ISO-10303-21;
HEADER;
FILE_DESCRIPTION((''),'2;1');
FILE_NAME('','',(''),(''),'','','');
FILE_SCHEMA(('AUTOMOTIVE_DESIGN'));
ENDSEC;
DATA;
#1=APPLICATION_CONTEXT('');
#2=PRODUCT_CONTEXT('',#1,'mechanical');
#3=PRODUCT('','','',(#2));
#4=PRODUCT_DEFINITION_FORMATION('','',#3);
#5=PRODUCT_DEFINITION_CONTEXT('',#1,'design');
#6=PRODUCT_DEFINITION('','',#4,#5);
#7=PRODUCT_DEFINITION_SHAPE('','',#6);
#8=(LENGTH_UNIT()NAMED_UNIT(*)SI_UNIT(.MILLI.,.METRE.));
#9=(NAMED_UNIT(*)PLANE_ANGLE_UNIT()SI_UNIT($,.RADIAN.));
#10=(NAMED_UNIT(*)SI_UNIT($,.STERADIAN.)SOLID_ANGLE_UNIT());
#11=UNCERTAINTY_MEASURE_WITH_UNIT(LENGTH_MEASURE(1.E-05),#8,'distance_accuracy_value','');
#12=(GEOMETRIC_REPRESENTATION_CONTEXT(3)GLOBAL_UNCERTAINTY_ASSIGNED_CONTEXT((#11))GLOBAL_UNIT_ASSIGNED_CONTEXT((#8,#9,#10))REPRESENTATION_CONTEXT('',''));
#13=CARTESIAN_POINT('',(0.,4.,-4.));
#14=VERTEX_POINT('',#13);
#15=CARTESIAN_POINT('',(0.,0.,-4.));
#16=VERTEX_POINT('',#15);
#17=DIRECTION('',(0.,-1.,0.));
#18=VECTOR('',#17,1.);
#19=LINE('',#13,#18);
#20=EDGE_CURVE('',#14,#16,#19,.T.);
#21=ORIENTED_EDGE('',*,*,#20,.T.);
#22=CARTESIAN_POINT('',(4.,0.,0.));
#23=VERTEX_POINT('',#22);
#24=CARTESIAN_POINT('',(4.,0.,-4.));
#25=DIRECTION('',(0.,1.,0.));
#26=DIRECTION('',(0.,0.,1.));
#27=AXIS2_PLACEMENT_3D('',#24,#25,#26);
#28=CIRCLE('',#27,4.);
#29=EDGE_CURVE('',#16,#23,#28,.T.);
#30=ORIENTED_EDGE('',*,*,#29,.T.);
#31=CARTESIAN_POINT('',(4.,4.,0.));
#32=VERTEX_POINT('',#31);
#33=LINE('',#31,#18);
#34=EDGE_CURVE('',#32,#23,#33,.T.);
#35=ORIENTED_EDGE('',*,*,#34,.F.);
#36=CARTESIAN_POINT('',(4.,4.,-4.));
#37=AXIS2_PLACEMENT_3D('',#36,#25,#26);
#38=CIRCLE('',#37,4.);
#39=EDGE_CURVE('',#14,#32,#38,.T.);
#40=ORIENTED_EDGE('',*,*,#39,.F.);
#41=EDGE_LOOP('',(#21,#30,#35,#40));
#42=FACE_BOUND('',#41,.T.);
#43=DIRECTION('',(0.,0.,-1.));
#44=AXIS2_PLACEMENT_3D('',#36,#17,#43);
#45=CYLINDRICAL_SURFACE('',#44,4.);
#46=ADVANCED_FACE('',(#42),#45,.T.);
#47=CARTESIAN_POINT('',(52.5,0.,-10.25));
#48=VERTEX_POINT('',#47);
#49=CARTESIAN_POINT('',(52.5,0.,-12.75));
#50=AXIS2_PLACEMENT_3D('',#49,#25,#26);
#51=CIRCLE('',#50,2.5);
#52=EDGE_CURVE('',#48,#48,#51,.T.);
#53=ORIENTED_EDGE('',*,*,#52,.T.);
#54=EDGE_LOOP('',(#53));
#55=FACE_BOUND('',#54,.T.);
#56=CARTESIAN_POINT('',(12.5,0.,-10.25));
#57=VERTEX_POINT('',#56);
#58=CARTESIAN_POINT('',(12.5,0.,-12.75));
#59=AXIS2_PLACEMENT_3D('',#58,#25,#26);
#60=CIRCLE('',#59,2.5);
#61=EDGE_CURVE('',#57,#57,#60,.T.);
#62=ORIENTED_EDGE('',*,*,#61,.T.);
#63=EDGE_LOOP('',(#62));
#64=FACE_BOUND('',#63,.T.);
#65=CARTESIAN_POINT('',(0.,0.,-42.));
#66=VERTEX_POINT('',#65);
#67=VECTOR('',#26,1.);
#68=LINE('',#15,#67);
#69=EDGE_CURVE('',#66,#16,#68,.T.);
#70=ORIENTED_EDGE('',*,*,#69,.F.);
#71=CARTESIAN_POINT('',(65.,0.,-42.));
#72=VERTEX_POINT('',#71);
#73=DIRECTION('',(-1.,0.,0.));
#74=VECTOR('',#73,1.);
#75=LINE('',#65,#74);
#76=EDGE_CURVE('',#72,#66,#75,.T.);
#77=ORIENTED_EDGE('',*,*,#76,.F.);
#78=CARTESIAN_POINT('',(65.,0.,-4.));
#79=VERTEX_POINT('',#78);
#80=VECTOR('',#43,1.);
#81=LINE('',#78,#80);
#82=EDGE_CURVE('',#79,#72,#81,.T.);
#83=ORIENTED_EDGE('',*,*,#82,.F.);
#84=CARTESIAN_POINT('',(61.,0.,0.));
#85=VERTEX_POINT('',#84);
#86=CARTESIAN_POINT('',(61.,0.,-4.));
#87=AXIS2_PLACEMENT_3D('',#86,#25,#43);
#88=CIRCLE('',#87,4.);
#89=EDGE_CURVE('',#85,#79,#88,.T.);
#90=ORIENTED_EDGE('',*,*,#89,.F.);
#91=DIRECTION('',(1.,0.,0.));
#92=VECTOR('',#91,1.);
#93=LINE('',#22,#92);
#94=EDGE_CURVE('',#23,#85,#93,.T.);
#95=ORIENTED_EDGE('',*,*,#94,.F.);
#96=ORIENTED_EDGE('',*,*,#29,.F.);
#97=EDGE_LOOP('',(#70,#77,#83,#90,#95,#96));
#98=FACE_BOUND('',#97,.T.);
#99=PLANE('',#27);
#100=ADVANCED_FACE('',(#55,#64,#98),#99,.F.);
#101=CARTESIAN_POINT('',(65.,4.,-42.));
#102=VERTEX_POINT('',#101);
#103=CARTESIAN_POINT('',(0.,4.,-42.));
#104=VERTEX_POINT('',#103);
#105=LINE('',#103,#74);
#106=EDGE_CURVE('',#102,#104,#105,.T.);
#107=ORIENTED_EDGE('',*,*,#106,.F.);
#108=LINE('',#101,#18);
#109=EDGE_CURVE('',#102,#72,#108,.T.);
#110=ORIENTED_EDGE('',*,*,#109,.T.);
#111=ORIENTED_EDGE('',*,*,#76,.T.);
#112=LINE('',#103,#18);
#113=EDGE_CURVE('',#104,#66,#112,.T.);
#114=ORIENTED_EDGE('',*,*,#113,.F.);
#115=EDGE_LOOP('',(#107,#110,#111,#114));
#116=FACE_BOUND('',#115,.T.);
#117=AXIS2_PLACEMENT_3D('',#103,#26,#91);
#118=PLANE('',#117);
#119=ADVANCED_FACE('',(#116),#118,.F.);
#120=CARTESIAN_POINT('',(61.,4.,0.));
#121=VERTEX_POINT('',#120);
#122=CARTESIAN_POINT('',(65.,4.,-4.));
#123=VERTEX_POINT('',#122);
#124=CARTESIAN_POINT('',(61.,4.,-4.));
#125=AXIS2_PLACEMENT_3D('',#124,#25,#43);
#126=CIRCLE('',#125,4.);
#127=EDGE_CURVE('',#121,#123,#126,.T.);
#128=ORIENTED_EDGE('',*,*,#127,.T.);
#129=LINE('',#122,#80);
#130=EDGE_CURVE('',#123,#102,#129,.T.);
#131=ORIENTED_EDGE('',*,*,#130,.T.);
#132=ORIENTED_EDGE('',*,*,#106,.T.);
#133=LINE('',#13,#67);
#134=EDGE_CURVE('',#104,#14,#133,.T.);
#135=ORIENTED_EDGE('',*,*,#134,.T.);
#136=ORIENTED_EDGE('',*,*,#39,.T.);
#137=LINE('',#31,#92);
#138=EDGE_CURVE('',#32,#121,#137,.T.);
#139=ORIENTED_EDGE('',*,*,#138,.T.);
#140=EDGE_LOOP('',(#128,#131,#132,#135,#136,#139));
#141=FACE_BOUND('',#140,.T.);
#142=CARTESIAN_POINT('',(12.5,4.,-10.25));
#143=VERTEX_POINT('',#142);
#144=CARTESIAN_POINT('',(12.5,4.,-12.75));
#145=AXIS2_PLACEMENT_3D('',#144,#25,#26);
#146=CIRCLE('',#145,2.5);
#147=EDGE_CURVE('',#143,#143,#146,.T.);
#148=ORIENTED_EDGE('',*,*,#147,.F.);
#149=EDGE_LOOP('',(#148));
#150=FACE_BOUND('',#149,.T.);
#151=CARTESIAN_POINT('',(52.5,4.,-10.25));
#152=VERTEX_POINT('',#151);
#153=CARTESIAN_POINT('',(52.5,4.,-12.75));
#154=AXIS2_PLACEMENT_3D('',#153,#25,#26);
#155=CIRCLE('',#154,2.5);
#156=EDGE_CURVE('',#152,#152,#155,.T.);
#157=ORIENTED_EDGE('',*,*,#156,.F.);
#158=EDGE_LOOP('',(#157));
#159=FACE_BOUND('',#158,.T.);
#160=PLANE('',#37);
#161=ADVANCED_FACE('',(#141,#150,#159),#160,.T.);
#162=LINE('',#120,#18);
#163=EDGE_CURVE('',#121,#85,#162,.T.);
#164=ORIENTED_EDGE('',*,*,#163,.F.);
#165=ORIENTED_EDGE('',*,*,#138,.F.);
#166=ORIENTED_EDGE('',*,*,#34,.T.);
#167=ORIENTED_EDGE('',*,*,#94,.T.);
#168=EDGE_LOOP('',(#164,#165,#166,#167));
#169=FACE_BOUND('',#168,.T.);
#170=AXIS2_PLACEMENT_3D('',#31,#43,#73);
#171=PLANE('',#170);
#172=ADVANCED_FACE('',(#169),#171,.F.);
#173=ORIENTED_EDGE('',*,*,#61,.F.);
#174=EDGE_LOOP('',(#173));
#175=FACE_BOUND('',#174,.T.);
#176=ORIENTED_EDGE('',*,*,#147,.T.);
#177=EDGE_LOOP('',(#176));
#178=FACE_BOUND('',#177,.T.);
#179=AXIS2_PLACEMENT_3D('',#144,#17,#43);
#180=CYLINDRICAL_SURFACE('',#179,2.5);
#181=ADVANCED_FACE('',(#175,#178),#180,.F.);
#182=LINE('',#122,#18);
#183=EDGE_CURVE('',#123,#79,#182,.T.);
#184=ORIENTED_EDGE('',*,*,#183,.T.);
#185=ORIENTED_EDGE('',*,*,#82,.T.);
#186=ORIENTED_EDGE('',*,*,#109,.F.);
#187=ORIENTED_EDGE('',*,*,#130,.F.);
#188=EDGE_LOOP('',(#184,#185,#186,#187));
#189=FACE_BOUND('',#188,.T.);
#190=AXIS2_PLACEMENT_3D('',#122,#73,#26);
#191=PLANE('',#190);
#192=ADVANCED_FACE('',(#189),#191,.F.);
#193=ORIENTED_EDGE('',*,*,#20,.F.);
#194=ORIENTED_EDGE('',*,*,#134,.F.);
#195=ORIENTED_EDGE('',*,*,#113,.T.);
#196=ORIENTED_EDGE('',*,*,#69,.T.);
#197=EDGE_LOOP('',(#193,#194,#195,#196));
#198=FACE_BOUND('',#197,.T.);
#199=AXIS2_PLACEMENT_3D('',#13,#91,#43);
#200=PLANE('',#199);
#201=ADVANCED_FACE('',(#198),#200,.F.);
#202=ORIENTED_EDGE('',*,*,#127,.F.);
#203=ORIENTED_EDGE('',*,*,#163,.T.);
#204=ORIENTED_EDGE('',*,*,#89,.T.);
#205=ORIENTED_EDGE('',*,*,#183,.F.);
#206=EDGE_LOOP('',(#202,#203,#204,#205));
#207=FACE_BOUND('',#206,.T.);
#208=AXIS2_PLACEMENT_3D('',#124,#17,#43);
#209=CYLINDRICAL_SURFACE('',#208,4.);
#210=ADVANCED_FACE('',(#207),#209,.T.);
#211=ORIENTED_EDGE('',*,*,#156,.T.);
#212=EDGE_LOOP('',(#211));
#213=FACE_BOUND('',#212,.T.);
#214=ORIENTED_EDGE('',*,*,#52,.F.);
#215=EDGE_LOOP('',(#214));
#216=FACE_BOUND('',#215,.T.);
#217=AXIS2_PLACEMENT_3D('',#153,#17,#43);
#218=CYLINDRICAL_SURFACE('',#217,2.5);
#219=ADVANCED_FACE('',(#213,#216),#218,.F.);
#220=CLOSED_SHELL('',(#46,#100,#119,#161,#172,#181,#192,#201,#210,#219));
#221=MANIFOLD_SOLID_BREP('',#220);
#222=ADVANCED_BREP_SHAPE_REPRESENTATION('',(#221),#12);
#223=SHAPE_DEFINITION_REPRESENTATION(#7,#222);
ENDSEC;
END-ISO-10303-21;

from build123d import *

# Parameters (mm, degrees)
SKETCH1_R           = 2.5
BOSS_EXTRUDE1_DEPTH = 4


with BuildPart() as part:
    # Sketch1 → Boss-Extrude1 (new body)
    with BuildSketch(Plane(origin=(0, 0, 0), x_dir=(1, 0, 0), z_dir=(0, 1, 0))):
        with BuildLine():
            Line((4, 0), (61, 0))
            ThreePointArc((61, 0), (63.828427125, 1.171572875), (65, 4))
            Line((65, 4), (65, 42))
            Line((65, 42), (0, 42))
            Line((0, 42), (0, 4))
            ThreePointArc((0, 4), (1.171572875, 1.171572875), (4, 0))
        make_face()
        with Locations(Location((12.5, 12.75, 0), (0, 0, 270))):
            Circle(SKETCH1_R, mode=Mode.SUBTRACT)
        with Locations(Location((52.5, 12.75, 0), (0, 0, 270))):
            Circle(SKETCH1_R, mode=Mode.SUBTRACT)
    extrude(amount=BOSS_EXTRUDE1_DEPTH)


solid = part.part
